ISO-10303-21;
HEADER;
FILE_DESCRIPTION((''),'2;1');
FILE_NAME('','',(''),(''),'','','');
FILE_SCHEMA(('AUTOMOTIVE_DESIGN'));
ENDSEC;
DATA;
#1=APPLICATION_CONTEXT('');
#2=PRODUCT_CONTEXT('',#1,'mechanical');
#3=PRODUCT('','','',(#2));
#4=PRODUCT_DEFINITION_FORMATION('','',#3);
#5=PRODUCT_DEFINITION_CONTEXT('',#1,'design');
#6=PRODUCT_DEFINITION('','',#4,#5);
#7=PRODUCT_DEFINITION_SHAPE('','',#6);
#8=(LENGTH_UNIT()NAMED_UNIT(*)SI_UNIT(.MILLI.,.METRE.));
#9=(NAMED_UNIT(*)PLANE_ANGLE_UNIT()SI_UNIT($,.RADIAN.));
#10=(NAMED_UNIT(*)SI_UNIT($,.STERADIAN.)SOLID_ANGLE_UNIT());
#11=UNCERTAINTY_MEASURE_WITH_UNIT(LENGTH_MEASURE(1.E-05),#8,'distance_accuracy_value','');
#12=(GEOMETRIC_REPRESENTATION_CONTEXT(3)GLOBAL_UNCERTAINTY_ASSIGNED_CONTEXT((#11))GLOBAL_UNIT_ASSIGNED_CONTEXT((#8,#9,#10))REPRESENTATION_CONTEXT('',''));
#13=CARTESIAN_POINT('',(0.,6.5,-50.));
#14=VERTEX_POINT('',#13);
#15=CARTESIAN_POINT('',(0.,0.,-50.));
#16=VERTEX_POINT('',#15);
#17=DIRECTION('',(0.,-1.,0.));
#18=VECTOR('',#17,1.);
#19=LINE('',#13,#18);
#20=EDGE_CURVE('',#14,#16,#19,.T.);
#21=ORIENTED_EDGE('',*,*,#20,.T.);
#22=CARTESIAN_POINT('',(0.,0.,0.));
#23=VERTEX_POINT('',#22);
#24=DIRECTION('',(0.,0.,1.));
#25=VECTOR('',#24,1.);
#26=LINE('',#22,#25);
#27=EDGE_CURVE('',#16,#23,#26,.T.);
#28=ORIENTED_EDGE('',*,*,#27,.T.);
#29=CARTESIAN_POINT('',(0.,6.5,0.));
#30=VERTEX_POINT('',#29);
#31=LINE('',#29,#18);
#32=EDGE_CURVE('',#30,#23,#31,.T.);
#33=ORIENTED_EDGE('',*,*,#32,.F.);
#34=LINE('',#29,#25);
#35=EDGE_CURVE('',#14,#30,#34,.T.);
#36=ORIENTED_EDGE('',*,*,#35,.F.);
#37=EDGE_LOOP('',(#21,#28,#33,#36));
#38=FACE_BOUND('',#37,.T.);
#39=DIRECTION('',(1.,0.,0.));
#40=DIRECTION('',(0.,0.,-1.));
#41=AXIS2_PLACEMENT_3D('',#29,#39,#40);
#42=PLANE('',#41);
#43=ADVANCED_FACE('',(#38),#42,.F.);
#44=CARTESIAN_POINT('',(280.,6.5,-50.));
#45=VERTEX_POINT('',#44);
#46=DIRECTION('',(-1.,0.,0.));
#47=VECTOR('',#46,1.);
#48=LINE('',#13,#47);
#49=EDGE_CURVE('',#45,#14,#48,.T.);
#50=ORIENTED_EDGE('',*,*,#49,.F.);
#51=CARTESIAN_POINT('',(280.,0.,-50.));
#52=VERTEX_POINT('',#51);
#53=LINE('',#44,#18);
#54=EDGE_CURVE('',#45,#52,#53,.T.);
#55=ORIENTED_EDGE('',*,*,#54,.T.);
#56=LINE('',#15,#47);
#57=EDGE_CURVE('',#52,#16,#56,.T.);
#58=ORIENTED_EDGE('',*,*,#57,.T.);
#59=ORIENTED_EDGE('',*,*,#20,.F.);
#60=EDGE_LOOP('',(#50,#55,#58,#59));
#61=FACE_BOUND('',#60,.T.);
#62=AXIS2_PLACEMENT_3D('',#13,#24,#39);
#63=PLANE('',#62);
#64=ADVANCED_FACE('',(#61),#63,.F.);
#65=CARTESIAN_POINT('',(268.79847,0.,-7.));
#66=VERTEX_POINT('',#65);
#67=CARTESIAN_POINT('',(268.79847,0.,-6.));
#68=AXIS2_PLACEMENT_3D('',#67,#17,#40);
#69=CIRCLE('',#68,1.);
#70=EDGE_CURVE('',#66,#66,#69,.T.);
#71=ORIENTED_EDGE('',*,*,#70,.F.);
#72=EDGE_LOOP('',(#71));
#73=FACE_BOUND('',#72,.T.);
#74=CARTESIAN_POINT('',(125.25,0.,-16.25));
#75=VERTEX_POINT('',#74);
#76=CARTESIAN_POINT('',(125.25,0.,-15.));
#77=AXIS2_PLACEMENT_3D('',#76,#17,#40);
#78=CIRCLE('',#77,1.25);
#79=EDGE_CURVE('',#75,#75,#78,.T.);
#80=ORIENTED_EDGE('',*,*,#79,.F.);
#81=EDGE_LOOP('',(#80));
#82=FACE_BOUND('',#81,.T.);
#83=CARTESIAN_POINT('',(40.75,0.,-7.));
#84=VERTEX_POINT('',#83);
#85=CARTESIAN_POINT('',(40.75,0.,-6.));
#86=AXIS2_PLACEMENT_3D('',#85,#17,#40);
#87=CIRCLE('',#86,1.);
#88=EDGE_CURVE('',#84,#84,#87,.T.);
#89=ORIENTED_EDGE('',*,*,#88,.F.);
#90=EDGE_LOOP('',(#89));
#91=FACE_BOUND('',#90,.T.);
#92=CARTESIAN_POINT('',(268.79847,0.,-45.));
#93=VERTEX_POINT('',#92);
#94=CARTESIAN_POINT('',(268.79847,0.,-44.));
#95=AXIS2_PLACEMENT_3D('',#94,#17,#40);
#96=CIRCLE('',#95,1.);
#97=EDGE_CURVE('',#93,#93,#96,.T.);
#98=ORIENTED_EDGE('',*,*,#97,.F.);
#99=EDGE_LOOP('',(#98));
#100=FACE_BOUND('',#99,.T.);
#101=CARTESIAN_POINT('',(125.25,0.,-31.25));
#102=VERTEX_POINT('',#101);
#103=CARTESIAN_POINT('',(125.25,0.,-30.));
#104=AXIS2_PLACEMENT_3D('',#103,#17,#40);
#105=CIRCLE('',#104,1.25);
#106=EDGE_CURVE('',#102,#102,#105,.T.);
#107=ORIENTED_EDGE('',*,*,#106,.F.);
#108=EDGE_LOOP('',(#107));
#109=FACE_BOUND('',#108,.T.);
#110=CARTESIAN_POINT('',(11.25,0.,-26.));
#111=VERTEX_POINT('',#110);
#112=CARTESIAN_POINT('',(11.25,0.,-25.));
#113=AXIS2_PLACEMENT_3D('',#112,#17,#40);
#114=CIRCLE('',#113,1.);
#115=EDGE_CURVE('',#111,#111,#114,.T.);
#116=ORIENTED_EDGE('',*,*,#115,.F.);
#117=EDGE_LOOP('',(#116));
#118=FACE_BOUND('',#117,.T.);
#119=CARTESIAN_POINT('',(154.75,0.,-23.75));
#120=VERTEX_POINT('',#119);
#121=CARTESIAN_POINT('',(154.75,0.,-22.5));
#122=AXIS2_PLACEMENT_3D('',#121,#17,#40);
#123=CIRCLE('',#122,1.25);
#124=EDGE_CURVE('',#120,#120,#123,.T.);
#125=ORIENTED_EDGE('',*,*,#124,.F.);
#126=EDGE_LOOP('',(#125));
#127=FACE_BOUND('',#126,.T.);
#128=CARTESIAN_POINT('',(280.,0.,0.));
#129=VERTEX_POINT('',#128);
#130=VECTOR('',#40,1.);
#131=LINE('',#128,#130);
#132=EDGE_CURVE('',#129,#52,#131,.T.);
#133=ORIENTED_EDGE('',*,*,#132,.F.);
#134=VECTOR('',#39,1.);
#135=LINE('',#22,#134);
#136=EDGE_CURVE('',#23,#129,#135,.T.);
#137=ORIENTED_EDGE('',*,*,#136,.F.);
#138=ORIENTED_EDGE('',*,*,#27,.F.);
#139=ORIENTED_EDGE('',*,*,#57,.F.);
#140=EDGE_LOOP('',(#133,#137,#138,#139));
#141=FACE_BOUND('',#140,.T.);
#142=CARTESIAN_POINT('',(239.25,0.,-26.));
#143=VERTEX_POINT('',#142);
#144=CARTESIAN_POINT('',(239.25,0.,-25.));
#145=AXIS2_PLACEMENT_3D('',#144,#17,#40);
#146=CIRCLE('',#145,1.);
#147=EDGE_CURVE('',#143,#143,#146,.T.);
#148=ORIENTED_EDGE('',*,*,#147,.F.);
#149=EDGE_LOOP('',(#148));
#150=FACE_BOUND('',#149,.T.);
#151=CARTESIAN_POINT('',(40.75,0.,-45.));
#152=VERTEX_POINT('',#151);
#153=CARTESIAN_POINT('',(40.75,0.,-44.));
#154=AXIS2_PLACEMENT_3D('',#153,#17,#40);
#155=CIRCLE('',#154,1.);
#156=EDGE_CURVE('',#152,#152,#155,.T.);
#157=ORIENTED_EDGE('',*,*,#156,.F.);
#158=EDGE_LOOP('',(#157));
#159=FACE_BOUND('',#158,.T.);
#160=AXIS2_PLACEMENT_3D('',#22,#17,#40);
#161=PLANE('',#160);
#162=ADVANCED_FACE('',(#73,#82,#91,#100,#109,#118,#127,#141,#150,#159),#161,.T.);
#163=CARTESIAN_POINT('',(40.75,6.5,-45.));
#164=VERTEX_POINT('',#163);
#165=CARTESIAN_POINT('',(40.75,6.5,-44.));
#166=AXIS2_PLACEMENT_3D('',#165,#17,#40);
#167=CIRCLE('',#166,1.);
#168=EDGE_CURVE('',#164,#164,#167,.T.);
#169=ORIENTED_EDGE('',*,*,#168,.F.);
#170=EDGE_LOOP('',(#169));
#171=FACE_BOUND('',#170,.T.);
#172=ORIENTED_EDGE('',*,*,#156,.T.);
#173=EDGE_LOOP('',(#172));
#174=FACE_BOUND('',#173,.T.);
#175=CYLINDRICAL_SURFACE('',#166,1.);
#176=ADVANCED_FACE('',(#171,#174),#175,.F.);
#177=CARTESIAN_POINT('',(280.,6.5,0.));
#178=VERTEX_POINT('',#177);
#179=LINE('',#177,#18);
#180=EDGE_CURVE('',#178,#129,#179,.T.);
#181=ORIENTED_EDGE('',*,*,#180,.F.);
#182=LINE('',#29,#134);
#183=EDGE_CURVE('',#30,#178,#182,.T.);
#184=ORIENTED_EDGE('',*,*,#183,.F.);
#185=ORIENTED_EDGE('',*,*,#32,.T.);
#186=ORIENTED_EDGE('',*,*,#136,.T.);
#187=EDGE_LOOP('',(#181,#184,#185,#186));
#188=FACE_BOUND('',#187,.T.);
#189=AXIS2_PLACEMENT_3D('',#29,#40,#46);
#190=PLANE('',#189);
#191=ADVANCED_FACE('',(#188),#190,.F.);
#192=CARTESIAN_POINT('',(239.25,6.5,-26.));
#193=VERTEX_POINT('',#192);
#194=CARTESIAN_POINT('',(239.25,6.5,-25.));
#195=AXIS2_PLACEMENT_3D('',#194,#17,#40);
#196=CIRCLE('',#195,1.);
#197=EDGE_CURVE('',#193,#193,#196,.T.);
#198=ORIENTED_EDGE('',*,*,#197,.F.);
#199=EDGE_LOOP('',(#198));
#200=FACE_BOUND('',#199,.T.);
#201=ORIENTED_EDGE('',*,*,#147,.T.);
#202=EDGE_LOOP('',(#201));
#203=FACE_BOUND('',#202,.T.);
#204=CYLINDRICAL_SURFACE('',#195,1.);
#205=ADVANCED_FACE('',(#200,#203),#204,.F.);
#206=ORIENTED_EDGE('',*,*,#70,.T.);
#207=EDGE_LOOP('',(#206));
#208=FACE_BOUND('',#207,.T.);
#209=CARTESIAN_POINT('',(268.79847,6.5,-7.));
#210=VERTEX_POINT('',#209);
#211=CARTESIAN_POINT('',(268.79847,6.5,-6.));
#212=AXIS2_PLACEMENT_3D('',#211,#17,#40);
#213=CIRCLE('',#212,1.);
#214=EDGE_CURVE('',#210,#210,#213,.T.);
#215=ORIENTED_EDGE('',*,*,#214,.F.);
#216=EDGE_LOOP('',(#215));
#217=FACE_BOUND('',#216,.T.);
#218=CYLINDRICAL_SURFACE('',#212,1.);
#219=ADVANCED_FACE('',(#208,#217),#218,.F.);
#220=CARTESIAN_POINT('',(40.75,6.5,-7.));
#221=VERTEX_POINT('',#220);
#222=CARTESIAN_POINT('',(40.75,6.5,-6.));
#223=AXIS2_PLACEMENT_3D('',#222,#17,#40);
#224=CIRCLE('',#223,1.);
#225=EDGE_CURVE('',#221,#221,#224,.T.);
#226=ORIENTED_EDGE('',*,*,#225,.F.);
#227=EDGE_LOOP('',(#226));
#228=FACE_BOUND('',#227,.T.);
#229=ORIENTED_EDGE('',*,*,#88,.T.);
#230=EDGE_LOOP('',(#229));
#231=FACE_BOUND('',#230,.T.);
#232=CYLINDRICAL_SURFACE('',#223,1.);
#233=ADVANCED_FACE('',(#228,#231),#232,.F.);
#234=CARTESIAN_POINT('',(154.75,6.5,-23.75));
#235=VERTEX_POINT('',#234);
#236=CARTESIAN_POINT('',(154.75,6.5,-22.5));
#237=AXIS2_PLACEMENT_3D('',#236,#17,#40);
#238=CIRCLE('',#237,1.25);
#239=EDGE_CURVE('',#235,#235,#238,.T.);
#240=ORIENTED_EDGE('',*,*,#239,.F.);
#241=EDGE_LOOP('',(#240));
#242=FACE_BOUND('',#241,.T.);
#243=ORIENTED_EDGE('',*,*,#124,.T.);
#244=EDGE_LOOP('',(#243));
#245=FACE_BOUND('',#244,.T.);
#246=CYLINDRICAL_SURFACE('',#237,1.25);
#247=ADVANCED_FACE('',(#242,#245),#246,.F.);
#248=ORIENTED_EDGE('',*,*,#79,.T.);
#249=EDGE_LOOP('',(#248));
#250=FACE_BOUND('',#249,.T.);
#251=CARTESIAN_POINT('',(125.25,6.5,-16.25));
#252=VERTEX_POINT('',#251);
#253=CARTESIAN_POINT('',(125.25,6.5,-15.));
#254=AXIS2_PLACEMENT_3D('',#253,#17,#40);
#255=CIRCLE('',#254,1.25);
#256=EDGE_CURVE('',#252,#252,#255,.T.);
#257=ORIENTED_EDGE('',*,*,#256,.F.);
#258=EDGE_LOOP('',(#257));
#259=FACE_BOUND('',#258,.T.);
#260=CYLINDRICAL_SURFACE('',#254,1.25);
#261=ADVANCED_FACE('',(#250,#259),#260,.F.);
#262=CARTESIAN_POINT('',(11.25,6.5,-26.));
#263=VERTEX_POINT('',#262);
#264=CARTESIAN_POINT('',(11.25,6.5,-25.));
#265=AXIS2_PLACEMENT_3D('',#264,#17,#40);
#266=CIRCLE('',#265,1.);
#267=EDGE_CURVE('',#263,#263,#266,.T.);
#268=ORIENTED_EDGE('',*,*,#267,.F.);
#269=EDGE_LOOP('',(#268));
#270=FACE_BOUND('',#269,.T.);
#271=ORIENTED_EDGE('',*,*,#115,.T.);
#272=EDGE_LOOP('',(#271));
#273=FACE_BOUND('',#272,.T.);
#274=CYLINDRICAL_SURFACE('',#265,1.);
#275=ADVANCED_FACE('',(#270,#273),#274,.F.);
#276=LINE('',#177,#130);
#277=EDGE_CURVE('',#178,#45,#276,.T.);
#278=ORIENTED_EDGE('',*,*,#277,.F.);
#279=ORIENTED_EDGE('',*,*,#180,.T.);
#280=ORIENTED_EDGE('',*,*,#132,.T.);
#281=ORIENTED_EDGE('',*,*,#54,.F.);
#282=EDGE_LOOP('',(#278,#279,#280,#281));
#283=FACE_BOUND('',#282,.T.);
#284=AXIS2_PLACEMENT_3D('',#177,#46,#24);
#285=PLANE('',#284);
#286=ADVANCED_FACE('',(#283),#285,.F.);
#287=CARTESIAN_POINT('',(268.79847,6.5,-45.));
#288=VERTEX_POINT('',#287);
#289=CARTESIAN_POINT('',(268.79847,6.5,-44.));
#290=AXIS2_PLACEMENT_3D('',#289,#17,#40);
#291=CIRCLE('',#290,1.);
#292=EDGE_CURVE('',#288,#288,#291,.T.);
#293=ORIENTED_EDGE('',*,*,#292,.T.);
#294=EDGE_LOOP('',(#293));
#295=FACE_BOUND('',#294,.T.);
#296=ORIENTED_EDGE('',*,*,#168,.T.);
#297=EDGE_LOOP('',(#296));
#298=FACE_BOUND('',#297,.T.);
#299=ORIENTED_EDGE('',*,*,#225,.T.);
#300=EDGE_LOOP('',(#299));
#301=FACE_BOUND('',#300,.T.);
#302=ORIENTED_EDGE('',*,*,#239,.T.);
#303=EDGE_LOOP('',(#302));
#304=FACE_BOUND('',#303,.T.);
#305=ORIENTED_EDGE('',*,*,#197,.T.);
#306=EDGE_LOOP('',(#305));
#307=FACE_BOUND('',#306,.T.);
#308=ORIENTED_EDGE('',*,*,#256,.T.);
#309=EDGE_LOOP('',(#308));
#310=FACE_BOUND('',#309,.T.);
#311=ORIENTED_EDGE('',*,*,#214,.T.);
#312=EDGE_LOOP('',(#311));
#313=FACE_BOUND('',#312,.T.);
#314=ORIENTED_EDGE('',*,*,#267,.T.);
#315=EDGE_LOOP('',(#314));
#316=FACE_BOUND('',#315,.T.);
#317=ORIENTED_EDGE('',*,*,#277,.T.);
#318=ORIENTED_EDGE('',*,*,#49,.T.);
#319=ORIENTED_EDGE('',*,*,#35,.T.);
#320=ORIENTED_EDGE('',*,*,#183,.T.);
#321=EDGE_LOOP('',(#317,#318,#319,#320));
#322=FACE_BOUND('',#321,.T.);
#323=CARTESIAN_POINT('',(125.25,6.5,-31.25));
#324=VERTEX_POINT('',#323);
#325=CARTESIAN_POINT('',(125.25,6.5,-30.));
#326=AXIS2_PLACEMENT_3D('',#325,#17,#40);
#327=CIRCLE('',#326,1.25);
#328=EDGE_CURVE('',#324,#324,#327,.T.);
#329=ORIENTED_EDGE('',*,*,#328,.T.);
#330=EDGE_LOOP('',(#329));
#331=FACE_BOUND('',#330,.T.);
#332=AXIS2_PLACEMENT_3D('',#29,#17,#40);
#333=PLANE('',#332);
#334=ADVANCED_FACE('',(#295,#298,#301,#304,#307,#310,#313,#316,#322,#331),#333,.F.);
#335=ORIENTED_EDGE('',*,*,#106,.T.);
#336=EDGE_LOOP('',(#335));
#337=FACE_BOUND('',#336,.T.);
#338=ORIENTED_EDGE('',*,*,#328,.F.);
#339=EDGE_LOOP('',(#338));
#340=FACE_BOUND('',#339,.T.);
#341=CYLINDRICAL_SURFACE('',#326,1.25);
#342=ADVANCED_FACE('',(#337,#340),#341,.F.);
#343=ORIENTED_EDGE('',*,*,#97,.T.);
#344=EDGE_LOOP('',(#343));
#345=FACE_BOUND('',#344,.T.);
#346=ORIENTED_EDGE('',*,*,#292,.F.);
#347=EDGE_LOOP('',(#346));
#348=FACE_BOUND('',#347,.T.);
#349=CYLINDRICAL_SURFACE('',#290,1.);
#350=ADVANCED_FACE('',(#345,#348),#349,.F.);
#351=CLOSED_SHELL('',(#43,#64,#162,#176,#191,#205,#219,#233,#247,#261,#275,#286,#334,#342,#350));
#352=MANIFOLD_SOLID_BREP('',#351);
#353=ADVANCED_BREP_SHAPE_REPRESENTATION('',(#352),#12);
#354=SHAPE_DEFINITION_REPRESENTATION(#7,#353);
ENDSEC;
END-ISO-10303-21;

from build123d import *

# Parameters (mm, degrees)
SKETCH1_W           = 280
SKETCH1_H           = 50
BOSS_EXTRUDE1_DEPTH = 6.5
SKETCH2_R           = 1.25
CUT_EXTRUDE1_DEPTH  = 7.5
SKETCH3_R           = 1
CUT_EXTRUDE2_DEPTH  = 7.5


with BuildPart() as part:
    # Sketch1 → Boss-Extrude1 (new body)
    with BuildSketch(Plane(origin=(0, 0, 0), x_dir=(1, 0, 0), z_dir=(0, 1, 0))):
        with Locations((140, 25)):
            Rectangle(SKETCH1_W, SKETCH1_H)
    extrude(amount=BOSS_EXTRUDE1_DEPTH)

    # Sketch2 → Cut-Extrude1 (cut, through all)
    with BuildSketch(Plane(origin=(0, 0, 0), x_dir=(-1, 0, 0), z_dir=(0, -1, 0))):
        with Locations((-125.25, 30)):
            Circle(SKETCH2_R)
        with Locations((-125.25, 15)):
            Circle(SKETCH2_R)
        with Locations((-154.75, 22.5)):
            Circle(SKETCH2_R)
    extrude(amount=-CUT_EXTRUDE1_DEPTH, mode=Mode.SUBTRACT)

    # Sketch3 → Cut-Extrude2 (cut, through all)
    with BuildSketch(Plane.XZ):
        with Locations((268.798469713, -44)):
            Circle(SKETCH3_R)
        with Locations((268.798469713, -6)):
            Circle(SKETCH3_R)
        with Locations((239.25, -25)):
            Circle(SKETCH3_R)
        with Locations((11.25, -25)):
            Circle(SKETCH3_R)
        with Locations((40.75, -6)):
            Circle(SKETCH3_R)
        with Locations((40.75, -44)):
            Circle(SKETCH3_R)
    extrude(amount=-CUT_EXTRUDE2_DEPTH, mode=Mode.SUBTRACT)


solid = part.part
